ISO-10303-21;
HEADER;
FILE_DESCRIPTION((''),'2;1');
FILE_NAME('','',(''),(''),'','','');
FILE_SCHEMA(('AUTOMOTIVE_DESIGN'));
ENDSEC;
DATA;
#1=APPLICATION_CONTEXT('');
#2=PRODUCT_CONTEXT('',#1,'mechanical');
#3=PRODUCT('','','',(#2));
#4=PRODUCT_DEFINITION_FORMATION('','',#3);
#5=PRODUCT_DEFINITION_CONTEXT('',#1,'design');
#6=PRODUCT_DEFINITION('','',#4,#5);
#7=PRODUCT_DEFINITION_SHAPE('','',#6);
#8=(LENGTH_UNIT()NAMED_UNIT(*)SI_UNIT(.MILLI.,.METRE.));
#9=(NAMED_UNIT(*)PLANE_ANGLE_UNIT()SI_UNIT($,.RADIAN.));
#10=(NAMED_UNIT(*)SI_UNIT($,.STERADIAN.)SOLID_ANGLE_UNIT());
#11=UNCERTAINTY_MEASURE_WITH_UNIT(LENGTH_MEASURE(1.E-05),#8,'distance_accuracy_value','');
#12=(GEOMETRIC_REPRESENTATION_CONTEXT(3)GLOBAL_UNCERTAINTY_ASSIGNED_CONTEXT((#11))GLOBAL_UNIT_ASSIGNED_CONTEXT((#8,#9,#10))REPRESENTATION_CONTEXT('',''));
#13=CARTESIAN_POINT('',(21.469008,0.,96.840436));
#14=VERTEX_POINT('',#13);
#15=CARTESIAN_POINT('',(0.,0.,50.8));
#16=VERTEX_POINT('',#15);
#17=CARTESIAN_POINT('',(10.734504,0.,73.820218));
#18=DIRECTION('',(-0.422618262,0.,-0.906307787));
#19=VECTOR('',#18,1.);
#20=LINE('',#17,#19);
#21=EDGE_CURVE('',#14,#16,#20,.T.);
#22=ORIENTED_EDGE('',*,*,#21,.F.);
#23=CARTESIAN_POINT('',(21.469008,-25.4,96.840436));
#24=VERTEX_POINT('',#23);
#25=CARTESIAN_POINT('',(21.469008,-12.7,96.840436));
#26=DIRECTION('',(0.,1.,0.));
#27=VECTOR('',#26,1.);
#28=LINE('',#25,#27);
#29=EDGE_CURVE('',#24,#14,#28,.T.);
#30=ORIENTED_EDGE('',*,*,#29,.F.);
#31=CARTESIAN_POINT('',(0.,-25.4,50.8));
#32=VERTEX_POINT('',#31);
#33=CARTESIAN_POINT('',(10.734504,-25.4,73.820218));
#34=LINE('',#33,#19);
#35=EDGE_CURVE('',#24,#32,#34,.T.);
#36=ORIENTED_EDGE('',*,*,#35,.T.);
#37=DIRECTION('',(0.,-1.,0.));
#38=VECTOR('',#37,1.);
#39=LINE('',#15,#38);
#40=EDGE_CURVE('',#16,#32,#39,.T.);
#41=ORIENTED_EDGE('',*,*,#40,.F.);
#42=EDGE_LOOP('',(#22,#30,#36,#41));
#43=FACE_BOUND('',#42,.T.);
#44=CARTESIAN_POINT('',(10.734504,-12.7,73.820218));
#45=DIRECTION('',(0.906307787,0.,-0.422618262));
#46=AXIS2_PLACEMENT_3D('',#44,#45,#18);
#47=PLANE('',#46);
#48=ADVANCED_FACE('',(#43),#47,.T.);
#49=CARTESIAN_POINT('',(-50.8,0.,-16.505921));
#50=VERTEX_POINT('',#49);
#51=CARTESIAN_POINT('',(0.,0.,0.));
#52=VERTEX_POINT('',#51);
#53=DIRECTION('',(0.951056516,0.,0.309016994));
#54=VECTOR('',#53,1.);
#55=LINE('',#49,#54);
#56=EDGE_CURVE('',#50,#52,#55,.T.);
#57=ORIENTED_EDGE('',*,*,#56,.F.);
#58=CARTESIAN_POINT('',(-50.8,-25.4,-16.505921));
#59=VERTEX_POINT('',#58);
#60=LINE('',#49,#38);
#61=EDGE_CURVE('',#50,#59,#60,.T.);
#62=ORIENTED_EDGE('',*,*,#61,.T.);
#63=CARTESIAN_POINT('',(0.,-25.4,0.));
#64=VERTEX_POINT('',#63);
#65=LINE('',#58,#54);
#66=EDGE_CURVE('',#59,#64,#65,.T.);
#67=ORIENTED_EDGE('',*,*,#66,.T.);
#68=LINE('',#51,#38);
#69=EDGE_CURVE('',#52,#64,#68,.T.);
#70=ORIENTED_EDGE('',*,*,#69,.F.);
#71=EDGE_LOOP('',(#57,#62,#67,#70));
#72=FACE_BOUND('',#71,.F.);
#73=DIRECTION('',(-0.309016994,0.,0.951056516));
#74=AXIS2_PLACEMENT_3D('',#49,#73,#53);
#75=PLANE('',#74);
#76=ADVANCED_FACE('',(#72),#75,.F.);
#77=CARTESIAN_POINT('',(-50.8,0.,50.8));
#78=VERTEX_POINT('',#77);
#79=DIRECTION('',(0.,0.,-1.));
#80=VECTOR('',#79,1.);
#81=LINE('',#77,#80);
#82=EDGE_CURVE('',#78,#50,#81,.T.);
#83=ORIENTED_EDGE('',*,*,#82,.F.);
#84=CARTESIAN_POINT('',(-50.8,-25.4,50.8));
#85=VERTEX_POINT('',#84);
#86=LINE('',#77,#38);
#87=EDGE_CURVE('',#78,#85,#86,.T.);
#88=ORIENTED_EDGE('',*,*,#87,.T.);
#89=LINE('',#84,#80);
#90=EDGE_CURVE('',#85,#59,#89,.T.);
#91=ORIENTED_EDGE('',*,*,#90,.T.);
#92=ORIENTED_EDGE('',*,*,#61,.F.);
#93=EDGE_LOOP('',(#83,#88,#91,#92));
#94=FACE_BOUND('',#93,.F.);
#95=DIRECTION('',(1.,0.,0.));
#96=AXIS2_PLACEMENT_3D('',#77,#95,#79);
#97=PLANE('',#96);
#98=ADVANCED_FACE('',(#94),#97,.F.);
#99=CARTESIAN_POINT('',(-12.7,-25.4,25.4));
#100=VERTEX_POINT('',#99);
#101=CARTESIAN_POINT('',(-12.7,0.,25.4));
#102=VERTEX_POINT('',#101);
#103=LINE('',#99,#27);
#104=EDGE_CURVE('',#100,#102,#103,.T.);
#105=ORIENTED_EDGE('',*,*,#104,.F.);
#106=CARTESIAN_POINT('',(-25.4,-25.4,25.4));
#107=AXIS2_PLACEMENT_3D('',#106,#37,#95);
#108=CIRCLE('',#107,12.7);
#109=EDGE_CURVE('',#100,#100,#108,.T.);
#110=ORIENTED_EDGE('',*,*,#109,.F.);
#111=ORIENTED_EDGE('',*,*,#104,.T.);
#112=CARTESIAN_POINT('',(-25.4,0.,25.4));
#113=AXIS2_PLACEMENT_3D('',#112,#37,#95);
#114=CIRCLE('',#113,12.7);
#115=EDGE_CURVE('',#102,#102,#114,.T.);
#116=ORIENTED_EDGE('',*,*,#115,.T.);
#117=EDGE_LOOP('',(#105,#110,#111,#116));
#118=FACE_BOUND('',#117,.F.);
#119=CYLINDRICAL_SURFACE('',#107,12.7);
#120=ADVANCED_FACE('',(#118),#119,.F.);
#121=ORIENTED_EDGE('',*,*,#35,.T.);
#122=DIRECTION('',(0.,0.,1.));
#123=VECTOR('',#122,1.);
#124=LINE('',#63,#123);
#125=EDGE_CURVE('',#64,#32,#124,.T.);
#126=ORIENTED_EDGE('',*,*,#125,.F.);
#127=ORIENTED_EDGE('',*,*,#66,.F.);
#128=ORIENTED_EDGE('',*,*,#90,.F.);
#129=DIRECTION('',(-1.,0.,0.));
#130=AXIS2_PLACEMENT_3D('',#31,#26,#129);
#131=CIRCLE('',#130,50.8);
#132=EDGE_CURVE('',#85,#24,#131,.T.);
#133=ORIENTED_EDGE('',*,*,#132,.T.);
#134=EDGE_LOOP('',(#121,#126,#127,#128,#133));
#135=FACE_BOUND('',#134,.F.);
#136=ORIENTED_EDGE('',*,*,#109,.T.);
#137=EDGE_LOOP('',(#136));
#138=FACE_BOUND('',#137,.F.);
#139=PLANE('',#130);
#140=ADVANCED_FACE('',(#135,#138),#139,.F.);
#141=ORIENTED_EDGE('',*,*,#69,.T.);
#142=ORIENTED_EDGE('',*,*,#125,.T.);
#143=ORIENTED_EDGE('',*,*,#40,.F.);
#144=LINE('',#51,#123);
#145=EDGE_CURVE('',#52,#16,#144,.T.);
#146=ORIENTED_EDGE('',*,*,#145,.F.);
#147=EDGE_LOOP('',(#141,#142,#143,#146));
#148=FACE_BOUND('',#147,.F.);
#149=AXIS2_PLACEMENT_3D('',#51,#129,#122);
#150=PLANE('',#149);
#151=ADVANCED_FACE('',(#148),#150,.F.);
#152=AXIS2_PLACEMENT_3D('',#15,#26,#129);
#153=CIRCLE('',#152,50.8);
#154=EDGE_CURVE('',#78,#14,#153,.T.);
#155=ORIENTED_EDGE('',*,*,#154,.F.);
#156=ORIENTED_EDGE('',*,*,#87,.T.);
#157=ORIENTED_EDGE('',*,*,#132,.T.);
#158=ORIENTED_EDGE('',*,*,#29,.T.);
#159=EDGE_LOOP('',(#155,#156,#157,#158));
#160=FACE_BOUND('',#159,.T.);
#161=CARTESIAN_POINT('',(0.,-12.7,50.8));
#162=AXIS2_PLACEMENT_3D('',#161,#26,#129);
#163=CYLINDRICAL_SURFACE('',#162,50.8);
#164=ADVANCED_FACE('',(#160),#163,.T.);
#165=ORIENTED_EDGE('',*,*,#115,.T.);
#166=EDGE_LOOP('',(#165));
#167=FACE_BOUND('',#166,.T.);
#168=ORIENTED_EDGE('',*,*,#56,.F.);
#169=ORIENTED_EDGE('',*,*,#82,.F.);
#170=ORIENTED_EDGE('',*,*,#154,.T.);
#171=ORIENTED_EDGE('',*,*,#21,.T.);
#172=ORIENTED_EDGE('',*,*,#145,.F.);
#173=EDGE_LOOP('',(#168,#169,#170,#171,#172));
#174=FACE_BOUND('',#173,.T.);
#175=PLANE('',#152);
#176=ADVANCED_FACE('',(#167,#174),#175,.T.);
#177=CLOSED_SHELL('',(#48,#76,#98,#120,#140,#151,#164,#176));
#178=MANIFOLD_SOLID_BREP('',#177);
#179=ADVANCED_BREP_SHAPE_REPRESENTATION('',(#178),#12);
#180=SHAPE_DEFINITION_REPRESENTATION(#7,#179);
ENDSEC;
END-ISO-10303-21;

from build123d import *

# Parameters (mm, degrees)
F1_DEPTH   = 25.4
F2_R       = 12.7
F3_DEPTH   = 25.401
F1_FACE1_W = 50.8
F1_FACE1_H = 25.4
F4_ANGLE   = 115


with BuildPart() as f1:
    # F0 (on Front) → F1 (new body)
    with BuildSketch(Plane.XZ):
        Polygon((0, 50.8), (-50.8, 50.8), (-50.8, -16.5059205686), (0, 0), align=None)
    extrude(amount=F1_DEPTH)

    # F2 (on face) → F3 (cut, through all)
    with BuildSketch(Plane.XZ.offset(25.4)):
        with Locations((-25.4, 25.4)):
            Circle(F2_R)
    extrude(amount=-F3_DEPTH, mode=Mode.SUBTRACT)

    # F1_face1 (on face) → F4 (revolve)
    with BuildSketch(Plane(origin=(-25.4, -12.7, 50.8), x_dir=(1, 0, 0), z_dir=(0, 0, 1))):
        Rectangle(F1_FACE1_W, F1_FACE1_H)
    revolve(axis=Axis((0, -12.7, 50.8), (0, 1, 0)), revolution_arc=F4_ANGLE)


solid = f1.part
